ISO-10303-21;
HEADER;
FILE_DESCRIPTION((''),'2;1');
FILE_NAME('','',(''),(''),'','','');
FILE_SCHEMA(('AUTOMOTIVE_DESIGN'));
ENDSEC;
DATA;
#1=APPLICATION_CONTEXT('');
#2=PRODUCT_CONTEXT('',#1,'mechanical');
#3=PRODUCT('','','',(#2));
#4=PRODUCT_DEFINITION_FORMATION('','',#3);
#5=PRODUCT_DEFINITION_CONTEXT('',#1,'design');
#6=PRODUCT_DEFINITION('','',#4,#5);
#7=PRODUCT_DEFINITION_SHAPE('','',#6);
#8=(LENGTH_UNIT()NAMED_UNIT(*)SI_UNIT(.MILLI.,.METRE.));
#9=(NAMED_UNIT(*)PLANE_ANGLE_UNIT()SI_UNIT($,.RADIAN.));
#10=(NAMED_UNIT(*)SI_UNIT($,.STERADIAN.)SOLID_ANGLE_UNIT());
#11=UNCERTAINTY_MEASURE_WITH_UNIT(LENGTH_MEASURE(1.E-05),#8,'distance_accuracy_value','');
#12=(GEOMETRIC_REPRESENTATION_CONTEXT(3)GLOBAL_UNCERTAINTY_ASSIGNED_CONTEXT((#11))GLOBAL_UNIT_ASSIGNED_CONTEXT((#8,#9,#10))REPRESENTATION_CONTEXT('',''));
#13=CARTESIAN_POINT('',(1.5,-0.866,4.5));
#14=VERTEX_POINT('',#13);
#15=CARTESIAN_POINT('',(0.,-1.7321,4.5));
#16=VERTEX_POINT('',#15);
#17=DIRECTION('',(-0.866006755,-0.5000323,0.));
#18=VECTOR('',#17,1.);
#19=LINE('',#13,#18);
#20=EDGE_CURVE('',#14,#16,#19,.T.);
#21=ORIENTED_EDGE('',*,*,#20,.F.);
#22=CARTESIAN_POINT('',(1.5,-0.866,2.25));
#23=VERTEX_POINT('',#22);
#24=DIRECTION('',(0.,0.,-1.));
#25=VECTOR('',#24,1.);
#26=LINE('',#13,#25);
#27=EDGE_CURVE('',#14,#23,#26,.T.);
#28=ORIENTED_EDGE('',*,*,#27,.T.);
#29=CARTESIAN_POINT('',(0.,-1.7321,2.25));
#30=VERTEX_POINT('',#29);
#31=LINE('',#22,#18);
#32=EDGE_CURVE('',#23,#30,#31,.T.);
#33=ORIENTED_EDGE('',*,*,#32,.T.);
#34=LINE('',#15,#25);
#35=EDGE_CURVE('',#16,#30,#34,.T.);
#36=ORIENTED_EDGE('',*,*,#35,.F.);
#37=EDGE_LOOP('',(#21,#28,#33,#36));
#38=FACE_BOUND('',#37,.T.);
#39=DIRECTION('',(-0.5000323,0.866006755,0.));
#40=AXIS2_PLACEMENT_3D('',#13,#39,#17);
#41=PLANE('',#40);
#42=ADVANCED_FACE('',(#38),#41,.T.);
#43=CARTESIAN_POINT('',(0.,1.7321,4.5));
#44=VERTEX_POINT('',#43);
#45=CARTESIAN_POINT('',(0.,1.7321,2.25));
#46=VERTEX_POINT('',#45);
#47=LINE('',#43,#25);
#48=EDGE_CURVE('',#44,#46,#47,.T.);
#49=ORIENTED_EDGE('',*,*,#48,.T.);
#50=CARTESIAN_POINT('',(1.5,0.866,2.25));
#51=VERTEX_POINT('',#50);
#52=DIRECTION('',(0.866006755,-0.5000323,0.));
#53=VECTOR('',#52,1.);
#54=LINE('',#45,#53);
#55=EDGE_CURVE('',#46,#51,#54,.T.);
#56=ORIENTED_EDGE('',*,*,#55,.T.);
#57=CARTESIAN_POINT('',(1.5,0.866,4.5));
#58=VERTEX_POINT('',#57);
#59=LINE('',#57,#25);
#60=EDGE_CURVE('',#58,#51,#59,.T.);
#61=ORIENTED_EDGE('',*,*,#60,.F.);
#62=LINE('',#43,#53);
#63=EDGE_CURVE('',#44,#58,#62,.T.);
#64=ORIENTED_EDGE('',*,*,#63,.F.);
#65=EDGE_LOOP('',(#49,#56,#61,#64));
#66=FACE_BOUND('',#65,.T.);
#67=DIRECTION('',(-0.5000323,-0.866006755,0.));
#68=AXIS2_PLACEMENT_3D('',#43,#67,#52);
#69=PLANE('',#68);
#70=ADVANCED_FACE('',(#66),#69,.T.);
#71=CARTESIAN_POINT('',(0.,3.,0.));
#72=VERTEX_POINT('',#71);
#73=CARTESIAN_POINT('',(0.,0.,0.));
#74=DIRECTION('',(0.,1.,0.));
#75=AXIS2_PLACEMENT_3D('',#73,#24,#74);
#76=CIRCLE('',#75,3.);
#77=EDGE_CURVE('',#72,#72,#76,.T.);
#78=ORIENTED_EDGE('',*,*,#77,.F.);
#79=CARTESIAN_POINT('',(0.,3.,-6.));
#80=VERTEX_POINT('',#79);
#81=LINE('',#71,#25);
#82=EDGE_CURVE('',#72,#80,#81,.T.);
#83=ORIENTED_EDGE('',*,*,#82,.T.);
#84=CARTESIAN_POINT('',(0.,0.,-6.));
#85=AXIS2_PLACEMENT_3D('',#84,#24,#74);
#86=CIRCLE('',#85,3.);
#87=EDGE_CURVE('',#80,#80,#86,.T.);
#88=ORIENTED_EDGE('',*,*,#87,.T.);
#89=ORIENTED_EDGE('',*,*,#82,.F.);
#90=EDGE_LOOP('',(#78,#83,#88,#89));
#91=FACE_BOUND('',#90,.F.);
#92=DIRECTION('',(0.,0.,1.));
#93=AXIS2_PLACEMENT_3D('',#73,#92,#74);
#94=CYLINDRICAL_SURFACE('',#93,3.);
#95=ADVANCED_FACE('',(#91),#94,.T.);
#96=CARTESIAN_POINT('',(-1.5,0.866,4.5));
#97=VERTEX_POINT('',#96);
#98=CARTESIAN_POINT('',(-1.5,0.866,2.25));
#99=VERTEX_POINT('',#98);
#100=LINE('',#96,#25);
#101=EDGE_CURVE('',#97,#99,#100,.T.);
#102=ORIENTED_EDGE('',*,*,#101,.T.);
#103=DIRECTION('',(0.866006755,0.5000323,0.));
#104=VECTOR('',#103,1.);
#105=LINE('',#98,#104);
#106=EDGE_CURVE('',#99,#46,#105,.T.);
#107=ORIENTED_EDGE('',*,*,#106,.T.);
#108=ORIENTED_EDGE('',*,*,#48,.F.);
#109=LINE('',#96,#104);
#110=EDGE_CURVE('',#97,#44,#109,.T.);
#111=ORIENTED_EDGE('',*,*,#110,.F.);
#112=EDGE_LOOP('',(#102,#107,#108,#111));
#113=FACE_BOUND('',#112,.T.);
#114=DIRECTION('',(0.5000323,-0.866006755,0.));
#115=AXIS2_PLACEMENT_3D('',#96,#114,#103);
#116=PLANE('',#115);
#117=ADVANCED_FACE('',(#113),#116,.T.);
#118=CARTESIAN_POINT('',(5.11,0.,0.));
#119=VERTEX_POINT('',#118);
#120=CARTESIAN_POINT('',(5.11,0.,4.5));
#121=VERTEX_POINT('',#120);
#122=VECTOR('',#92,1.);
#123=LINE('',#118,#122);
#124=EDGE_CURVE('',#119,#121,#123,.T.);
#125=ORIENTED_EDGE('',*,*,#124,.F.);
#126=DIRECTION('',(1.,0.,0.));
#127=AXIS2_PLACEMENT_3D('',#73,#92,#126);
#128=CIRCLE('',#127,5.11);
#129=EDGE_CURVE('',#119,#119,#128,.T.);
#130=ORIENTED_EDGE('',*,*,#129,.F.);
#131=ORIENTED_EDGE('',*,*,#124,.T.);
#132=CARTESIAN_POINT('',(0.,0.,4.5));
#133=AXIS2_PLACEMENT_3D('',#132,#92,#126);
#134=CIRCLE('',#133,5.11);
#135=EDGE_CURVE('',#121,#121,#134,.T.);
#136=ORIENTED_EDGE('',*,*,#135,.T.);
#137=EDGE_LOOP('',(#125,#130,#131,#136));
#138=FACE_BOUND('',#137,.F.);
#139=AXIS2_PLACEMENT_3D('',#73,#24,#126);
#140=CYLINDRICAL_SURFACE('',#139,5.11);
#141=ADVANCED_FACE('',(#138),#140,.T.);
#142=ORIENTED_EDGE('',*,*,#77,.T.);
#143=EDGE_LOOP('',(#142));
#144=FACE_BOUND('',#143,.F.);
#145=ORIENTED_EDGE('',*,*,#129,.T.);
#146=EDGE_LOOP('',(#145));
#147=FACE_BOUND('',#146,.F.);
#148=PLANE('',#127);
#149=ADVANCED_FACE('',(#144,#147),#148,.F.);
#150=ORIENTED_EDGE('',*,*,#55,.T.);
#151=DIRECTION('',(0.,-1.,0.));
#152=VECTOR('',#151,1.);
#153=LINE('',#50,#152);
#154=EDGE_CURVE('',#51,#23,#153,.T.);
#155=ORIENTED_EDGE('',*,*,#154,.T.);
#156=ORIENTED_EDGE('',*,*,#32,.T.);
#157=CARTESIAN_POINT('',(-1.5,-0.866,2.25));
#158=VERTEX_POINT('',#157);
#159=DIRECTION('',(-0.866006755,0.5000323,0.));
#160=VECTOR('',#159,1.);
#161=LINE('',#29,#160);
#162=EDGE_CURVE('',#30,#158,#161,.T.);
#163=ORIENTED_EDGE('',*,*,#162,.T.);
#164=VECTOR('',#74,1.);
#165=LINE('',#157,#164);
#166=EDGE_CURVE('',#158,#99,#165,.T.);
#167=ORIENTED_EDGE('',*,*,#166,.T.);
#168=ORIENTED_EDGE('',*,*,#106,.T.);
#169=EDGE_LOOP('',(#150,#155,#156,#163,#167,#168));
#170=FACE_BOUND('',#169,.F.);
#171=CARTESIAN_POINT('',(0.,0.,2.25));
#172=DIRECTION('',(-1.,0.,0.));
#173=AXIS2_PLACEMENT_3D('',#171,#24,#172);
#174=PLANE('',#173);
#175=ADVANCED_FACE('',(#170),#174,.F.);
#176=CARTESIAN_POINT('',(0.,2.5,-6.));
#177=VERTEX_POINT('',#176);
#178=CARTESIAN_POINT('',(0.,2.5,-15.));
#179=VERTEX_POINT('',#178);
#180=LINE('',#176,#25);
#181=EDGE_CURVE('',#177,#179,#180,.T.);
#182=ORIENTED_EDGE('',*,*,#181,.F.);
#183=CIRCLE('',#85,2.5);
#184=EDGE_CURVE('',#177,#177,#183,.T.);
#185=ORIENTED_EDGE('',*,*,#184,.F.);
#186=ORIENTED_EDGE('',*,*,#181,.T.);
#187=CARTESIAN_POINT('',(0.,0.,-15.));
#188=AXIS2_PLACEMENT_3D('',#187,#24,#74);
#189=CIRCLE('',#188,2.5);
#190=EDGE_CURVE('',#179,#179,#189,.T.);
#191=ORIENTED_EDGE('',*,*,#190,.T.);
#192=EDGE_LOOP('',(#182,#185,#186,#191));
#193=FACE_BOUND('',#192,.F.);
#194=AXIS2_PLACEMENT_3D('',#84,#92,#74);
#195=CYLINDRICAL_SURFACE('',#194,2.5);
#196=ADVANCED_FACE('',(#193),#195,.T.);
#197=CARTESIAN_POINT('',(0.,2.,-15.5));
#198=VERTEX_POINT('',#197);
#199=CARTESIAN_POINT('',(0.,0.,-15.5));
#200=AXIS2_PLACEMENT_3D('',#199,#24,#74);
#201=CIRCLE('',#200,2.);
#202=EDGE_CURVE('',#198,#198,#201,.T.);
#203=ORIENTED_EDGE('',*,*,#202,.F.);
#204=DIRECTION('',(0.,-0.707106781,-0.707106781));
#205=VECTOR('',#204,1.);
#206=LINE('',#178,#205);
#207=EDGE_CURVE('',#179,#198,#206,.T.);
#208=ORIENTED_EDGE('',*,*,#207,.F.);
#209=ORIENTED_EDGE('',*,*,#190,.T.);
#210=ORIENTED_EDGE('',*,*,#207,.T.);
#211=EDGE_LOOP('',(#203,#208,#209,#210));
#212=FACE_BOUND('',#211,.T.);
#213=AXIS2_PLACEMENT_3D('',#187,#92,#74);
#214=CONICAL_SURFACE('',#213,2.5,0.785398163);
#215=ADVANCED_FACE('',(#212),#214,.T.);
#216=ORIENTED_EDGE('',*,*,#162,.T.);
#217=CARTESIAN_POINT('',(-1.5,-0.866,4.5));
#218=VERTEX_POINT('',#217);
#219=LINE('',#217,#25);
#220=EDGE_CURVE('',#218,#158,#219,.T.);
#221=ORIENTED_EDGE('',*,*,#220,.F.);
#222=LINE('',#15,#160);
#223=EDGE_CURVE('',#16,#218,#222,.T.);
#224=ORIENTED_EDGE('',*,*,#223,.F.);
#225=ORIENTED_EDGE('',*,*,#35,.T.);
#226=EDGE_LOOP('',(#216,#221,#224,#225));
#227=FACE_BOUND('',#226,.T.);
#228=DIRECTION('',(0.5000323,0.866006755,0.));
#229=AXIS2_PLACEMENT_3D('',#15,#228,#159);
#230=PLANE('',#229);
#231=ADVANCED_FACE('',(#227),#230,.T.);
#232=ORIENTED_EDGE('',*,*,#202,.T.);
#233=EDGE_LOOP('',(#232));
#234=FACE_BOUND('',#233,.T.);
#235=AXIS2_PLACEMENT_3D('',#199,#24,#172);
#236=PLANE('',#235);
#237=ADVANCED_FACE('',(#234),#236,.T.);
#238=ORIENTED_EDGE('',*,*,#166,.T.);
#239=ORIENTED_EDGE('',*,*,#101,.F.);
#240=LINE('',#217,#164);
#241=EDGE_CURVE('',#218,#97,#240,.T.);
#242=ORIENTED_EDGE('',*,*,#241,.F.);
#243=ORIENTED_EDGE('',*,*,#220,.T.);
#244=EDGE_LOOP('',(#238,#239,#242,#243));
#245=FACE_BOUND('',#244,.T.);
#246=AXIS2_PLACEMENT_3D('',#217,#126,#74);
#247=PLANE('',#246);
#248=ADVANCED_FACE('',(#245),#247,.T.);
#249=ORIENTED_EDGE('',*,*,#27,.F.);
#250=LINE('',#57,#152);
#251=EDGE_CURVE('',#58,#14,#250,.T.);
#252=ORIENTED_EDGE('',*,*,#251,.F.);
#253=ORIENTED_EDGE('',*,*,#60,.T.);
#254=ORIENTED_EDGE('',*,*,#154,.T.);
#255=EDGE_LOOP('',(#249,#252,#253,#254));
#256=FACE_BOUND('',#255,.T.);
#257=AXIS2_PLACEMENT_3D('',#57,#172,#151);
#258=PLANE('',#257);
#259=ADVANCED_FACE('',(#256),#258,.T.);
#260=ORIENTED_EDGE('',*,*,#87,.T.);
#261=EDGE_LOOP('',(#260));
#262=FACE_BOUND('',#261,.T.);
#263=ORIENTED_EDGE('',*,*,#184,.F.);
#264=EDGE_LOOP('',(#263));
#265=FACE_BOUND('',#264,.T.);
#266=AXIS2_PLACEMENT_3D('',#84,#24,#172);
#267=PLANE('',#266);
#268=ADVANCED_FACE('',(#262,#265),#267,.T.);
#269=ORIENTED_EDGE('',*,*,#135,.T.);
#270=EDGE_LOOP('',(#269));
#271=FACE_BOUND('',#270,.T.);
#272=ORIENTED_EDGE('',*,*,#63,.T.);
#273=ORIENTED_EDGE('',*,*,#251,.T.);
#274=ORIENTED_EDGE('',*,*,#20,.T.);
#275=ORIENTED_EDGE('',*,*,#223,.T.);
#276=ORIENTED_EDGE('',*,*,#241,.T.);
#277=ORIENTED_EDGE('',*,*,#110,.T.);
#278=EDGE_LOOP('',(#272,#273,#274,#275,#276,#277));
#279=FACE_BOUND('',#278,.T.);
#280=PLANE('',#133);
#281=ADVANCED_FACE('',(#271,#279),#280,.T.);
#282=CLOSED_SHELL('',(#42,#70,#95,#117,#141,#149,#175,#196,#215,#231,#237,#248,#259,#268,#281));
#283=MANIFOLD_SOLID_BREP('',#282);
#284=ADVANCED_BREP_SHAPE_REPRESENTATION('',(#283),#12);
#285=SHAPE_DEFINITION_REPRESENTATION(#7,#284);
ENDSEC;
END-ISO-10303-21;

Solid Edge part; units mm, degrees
sketch "Sketch1" plane through (0, 0, 0) normal (0, 0, 1) x (1, 0, 0)
  circle A0 centre (0, 0) radius 5.11
  dimension "D1" = 10.22
extrude "Protrusion1" add sketch "Sketch1" along normal blind 4.5
sketch "Sketch2" plane through (0, 0, 4.5) normal (0, 0, 1) x (1, 0, 0)
  line L0 (0, -1.7321) -> (-1.5, -0.866)
  line L1 (-1.5, -0.866) -> (-1.5, 0.866)
  line L2 (-1.5, 0.866) -> (0, 1.7321)
  line L3 (0, 1.7321) -> (1.5, 0.866)
  line L4 (1.5, 0.866) -> (1.5, -0.866)
  line L5 (1.5, -0.866) -> (0, -1.7321)
  dimension "D1" = 3
extrude "Cutout1" cut sketch "Sketch2" against normal blind 2.25
sketch "Sketch3" plane through (0, 0, 0) normal (0, 0, -1) x (0, 1, 0)
  circle A0 centre (0, 0) radius 3
  dimension "D1" = 6
extrude "Protrusion2" add sketch "Sketch3" along normal blind 6
sketch "Sketch4" plane through (0, 0, -6) normal (0, 0, -1) x (0, 1, 0)
  circle A0 centre (0, 0) radius 2.5
  dimension "D1" = 5
extrude "Protrusion3" add sketch "Sketch4" along normal blind 9.5
chamfer "Chamfer1" distance 0.5 angle 45 1 edges at (0, -2.5, -15.5)
properties part number "24104609"
